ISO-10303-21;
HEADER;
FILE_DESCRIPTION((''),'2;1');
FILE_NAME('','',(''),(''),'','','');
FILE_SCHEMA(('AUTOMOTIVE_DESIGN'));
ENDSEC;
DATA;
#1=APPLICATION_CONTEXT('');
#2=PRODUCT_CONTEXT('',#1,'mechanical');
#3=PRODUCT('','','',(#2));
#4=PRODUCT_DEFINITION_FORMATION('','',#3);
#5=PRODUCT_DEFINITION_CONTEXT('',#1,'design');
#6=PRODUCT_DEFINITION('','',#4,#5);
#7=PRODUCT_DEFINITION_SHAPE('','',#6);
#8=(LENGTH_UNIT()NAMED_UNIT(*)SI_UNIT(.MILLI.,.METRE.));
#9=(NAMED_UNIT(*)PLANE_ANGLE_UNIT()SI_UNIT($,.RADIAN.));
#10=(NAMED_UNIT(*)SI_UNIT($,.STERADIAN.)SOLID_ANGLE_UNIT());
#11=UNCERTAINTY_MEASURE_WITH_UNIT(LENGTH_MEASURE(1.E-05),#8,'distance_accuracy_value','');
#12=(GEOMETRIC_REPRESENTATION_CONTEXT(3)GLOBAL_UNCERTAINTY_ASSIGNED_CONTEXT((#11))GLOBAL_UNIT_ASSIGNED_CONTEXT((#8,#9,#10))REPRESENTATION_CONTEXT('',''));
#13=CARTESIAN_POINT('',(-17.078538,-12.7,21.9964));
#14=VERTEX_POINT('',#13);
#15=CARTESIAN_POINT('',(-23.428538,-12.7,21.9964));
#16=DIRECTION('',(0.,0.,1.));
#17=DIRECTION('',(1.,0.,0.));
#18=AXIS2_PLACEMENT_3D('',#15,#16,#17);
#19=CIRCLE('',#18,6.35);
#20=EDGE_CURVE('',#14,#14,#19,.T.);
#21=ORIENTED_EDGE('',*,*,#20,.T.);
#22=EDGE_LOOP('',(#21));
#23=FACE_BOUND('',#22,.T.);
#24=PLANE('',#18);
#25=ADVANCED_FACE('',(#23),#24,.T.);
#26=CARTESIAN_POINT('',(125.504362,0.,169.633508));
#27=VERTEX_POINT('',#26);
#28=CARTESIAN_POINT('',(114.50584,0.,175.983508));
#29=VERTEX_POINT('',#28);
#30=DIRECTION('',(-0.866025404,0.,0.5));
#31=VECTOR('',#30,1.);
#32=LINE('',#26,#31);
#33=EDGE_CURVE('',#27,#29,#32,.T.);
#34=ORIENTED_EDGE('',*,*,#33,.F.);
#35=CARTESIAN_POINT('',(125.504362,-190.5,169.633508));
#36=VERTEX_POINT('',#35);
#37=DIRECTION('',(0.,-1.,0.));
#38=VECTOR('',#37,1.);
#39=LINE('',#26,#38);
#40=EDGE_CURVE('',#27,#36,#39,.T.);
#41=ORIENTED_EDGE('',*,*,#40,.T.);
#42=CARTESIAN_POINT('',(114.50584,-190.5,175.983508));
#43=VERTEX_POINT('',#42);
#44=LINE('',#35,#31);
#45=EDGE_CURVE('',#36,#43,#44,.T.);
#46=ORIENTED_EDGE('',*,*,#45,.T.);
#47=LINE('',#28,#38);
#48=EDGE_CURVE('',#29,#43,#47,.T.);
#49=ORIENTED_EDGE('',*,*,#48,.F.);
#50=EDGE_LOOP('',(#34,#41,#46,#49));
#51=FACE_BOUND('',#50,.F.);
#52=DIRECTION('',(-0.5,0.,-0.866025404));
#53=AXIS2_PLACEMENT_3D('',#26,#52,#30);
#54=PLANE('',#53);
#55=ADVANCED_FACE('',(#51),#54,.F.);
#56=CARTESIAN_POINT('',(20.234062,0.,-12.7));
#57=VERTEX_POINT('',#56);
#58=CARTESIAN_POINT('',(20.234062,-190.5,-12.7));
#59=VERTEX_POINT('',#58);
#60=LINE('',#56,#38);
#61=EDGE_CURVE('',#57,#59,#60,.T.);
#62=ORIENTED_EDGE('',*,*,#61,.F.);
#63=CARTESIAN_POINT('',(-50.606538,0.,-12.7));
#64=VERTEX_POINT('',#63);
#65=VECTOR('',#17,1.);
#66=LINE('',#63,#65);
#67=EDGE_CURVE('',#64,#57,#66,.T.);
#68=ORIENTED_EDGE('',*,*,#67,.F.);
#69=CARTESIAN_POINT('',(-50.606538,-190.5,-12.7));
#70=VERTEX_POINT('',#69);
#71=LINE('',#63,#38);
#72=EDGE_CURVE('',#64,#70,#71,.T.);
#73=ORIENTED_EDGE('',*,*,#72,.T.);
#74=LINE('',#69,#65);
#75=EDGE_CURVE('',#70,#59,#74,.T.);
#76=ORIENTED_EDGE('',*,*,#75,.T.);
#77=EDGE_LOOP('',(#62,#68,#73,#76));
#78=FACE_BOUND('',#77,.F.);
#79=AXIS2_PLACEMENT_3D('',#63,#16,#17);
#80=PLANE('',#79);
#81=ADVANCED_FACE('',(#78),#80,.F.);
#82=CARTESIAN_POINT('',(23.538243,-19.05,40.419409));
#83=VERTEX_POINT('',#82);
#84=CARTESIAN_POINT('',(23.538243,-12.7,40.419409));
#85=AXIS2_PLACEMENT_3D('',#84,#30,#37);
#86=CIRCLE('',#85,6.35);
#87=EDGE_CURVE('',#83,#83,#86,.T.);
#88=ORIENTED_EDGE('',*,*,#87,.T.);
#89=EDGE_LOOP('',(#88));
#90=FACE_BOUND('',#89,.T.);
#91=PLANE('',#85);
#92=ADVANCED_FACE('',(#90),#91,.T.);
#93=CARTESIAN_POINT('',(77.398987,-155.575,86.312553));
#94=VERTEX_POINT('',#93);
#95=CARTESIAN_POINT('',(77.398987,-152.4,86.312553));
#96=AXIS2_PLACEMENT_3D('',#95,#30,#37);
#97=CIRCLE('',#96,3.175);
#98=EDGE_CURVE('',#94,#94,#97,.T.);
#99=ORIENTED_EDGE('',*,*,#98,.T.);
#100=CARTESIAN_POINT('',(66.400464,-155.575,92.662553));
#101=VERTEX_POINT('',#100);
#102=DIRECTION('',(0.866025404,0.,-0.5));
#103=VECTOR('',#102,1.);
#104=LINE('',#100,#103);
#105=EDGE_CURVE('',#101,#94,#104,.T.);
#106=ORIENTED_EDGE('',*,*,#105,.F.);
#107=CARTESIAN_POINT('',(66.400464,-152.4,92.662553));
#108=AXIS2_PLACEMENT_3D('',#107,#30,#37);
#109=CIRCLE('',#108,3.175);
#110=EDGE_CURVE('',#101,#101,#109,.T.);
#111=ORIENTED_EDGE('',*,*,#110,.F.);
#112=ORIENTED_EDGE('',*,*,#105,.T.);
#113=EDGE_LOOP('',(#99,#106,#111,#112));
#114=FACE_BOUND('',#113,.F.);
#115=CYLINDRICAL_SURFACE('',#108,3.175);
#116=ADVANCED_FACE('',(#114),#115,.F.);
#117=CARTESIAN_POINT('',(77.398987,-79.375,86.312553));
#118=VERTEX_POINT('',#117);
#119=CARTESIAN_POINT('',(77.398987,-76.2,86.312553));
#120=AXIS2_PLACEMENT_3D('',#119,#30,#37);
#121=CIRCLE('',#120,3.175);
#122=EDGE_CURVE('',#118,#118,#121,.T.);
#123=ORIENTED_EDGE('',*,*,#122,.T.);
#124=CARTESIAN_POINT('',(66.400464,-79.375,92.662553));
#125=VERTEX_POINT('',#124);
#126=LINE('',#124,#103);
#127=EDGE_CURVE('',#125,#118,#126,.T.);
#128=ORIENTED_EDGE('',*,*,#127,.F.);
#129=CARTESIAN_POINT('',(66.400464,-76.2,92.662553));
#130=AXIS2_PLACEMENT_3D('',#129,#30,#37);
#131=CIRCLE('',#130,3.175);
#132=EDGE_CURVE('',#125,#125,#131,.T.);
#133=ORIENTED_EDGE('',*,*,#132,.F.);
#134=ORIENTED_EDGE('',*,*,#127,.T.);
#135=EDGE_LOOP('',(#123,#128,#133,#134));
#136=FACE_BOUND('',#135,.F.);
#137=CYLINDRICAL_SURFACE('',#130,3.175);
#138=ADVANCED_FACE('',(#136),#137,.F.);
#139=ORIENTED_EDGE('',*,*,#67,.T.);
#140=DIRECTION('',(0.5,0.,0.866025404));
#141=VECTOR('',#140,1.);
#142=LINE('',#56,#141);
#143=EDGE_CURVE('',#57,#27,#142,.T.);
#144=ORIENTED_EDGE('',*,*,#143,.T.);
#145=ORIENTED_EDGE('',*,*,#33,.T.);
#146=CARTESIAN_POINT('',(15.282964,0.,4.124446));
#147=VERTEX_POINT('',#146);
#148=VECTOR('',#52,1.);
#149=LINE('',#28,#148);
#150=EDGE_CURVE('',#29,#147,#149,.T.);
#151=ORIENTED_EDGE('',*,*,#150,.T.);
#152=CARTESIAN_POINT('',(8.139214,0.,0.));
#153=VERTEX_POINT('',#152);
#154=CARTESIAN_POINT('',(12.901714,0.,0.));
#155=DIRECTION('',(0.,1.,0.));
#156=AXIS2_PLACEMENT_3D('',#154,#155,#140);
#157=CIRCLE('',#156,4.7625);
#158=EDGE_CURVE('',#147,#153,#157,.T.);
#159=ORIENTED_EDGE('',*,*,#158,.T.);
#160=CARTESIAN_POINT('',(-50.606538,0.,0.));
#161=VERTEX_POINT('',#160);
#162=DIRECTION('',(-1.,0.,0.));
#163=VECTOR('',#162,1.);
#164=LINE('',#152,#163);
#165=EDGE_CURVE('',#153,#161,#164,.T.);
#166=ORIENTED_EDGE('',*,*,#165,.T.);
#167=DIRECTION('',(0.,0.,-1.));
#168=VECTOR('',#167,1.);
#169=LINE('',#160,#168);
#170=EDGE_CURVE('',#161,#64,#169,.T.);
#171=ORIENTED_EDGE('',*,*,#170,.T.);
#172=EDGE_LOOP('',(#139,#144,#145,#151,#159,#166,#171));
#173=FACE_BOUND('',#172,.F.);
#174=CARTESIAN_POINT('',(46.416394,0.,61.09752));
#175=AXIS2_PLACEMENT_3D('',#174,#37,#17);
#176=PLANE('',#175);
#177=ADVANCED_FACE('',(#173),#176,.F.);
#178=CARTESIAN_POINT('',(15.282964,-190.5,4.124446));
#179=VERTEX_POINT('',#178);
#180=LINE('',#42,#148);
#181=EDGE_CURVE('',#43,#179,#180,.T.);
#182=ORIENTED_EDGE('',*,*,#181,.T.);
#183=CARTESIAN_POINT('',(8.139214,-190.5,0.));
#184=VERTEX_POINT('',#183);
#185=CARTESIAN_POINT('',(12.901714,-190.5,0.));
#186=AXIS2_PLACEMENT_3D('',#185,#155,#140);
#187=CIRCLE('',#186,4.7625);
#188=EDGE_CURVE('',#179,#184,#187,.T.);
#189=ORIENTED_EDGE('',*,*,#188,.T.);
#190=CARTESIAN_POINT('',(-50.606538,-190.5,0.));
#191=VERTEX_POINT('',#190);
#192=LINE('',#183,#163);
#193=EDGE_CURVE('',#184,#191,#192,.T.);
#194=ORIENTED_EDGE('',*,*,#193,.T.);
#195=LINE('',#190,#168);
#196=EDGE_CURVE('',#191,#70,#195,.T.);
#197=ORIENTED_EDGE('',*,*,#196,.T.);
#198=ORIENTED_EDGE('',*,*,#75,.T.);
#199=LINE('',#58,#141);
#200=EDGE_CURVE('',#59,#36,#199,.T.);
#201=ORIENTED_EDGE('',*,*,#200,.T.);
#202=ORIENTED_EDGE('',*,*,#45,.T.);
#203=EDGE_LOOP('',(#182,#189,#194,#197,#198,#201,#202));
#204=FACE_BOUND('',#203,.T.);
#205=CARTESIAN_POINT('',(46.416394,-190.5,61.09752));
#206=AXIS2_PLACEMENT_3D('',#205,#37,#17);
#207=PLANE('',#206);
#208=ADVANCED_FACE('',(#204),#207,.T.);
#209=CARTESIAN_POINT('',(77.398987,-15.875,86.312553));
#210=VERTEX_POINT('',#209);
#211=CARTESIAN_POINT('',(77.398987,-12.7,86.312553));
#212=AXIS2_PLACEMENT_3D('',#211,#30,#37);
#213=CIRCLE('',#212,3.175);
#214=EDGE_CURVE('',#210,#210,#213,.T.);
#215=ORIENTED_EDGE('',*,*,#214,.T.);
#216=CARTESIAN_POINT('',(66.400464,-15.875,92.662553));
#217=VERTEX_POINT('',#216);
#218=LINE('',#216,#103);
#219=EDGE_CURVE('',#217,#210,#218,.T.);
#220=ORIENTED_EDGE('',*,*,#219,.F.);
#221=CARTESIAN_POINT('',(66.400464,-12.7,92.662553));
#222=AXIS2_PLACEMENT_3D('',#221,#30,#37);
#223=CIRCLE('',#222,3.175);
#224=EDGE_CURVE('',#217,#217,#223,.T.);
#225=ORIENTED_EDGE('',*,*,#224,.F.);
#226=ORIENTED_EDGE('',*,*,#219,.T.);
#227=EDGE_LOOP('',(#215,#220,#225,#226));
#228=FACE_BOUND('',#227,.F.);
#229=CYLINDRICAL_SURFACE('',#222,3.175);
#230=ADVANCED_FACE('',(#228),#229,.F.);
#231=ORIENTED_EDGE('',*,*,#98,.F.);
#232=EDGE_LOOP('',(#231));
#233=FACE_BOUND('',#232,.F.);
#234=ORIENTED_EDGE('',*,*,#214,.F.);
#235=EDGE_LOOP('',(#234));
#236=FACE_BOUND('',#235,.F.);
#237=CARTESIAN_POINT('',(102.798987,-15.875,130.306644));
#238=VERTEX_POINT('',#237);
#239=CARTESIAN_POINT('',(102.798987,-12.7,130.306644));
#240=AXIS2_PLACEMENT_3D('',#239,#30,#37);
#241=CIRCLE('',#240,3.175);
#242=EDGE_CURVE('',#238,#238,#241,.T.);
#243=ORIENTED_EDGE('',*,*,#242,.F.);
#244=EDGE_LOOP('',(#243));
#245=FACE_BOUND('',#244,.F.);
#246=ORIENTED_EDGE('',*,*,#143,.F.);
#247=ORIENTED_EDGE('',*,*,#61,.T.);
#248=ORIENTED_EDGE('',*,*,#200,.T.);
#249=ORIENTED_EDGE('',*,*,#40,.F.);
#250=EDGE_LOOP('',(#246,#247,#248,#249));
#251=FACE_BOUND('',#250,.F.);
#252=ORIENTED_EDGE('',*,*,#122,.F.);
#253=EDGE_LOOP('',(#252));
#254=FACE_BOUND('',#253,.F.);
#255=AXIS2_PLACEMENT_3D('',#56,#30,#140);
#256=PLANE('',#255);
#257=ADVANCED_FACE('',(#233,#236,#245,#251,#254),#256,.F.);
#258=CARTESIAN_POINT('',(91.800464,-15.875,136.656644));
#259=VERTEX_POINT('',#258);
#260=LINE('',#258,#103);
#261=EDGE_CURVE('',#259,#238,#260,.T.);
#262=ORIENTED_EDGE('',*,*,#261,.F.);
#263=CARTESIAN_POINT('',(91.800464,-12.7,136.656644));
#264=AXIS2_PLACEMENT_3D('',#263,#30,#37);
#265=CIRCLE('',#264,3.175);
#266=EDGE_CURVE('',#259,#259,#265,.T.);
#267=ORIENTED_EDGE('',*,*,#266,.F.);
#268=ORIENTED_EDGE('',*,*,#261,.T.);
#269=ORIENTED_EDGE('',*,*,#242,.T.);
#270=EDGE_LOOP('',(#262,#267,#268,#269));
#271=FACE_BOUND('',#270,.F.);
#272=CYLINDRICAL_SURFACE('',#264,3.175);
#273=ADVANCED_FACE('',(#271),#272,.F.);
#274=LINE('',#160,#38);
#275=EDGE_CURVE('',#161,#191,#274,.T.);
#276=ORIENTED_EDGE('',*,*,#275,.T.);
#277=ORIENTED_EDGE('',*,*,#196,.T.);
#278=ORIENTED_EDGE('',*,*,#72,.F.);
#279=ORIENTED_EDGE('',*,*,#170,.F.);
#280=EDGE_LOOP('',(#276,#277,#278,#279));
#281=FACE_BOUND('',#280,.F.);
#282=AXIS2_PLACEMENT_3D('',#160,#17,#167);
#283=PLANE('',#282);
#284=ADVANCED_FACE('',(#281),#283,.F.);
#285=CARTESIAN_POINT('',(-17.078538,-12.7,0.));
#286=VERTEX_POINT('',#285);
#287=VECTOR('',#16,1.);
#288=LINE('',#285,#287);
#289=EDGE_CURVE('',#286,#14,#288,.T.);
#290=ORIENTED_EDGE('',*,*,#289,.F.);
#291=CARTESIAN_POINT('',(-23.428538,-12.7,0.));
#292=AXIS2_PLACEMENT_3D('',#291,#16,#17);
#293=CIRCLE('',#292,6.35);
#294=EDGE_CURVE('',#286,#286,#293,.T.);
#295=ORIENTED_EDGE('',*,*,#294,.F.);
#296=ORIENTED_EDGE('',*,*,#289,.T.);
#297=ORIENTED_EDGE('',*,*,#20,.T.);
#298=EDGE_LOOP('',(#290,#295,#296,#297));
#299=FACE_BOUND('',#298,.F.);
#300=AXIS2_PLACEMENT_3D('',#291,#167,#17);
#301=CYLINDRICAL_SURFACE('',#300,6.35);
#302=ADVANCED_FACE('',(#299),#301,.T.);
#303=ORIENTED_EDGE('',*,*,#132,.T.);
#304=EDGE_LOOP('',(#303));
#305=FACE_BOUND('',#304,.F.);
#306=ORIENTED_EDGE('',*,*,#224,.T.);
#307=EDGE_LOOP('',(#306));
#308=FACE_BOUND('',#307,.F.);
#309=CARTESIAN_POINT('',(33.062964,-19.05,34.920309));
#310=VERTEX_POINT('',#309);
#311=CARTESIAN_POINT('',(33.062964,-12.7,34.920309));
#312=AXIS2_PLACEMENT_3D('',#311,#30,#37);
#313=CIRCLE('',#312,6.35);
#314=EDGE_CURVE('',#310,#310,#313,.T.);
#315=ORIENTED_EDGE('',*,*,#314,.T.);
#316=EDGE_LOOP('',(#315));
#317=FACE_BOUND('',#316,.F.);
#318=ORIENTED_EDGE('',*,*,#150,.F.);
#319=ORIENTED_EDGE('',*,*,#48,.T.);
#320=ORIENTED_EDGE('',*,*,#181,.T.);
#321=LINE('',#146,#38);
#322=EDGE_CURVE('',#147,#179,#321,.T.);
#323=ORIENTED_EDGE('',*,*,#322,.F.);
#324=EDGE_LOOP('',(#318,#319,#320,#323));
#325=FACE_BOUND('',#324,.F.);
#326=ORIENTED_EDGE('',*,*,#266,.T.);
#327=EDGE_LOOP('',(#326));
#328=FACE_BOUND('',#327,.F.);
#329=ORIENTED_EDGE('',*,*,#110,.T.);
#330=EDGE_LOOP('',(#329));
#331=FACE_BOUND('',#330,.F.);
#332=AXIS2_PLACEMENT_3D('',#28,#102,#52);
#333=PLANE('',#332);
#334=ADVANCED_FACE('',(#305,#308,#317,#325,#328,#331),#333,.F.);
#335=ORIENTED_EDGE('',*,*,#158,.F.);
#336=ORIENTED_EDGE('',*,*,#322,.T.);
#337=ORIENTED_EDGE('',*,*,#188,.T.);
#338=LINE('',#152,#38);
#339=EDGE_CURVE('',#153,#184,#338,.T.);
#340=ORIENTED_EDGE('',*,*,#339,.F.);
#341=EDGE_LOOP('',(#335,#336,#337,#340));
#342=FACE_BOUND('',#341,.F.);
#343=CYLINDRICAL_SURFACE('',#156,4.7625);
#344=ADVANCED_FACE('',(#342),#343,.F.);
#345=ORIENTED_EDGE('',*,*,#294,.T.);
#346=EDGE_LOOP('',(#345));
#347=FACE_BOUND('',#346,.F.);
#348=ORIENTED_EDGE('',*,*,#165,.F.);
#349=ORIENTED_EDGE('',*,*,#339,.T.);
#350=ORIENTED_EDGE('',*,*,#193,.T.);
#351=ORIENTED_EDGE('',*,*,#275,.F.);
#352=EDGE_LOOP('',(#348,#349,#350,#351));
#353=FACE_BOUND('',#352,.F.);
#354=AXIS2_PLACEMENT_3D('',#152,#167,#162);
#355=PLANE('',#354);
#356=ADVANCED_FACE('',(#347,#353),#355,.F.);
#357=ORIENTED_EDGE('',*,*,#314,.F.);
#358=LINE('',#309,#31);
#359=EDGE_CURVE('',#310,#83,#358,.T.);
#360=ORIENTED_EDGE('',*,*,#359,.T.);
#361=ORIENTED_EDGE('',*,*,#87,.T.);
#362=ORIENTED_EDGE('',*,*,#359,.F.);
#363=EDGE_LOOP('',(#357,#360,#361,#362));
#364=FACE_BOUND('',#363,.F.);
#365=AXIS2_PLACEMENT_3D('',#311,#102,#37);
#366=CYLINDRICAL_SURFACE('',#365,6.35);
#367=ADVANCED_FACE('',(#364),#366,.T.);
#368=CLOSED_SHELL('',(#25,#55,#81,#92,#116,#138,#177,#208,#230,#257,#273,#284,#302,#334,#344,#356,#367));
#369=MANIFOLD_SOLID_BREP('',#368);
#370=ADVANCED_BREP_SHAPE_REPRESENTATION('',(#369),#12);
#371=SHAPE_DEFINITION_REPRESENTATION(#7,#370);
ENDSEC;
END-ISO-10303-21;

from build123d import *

# Parameters (mm, degrees)
F1_DEPTH = 190.5
F2_R     = 6.35
F3_DEPTH = 21.9964
F4_R     = 3.175
F5_DEPTH = 103.867754064
F6_R     = 6.35
F7_DEPTH = 10.9982


with BuildPart() as f1:
    # F0 (on Front) → F1 (new body)
    with BuildSketch(Plane.XZ):
        with BuildLine():
            Line((8.139213971, 0), (-50.6065376103, 0))
            Line((-50.6065376103, 0), (-50.6065376103, -12.7))
            Line((-50.6065376103, -12.7), (20.2340623897, -12.7))
            Line((20.2340623897, -12.7), (125.5043623897, 169.633508128))
            Line((125.5043623897, 169.633508128), (114.5058397616, 175.983508128))
            Line((114.5058397616, 175.983508128), (15.282963971, 4.1244459855))
            ThreePointArc((15.282963971, 4.1244459855), (15.282963971, -4.1244459855), (8.139213971, 0))
        make_face()
    extrude(amount=F1_DEPTH)

    # F2 (on face) → F3 (join)
    with BuildSketch(Plane.XY):
        with Locations((-23.4285376103, -12.7)):
            Circle(F2_R)
    extrude(amount=F3_DEPTH)

    # F4 (on face) → F5 (cut, through all)
    with BuildSketch(Plane(origin=(9.6762854782, 0, -5.5866060256), x_dir=(0, -1, 0), z_dir=(-0.8660254038, 0, 0.5))):
        with Locations((152.4, 113.4483569855)):
            Circle(F4_R)
        with Locations((76.2, 113.4483569855)):
            Circle(F4_R)
        with Locations((12.7, 113.4483569855)):
            Circle(F4_R)
        with Locations((12.7, 164.2483569855)):
            Circle(F4_R)
    extrude(amount=-F5_DEPTH, mode=Mode.SUBTRACT)

    # F6 (on face) → F7 (join)
    with BuildSketch(Plane(origin=(9.6762854782, 0, -5.5866060256), x_dir=(0, -1, 0), z_dir=(-0.8660254038, 0, 0.5))):
        with Locations((12.7, 46.7733569855)):
            Circle(F6_R)
    extrude(amount=F7_DEPTH)


solid = f1.part
